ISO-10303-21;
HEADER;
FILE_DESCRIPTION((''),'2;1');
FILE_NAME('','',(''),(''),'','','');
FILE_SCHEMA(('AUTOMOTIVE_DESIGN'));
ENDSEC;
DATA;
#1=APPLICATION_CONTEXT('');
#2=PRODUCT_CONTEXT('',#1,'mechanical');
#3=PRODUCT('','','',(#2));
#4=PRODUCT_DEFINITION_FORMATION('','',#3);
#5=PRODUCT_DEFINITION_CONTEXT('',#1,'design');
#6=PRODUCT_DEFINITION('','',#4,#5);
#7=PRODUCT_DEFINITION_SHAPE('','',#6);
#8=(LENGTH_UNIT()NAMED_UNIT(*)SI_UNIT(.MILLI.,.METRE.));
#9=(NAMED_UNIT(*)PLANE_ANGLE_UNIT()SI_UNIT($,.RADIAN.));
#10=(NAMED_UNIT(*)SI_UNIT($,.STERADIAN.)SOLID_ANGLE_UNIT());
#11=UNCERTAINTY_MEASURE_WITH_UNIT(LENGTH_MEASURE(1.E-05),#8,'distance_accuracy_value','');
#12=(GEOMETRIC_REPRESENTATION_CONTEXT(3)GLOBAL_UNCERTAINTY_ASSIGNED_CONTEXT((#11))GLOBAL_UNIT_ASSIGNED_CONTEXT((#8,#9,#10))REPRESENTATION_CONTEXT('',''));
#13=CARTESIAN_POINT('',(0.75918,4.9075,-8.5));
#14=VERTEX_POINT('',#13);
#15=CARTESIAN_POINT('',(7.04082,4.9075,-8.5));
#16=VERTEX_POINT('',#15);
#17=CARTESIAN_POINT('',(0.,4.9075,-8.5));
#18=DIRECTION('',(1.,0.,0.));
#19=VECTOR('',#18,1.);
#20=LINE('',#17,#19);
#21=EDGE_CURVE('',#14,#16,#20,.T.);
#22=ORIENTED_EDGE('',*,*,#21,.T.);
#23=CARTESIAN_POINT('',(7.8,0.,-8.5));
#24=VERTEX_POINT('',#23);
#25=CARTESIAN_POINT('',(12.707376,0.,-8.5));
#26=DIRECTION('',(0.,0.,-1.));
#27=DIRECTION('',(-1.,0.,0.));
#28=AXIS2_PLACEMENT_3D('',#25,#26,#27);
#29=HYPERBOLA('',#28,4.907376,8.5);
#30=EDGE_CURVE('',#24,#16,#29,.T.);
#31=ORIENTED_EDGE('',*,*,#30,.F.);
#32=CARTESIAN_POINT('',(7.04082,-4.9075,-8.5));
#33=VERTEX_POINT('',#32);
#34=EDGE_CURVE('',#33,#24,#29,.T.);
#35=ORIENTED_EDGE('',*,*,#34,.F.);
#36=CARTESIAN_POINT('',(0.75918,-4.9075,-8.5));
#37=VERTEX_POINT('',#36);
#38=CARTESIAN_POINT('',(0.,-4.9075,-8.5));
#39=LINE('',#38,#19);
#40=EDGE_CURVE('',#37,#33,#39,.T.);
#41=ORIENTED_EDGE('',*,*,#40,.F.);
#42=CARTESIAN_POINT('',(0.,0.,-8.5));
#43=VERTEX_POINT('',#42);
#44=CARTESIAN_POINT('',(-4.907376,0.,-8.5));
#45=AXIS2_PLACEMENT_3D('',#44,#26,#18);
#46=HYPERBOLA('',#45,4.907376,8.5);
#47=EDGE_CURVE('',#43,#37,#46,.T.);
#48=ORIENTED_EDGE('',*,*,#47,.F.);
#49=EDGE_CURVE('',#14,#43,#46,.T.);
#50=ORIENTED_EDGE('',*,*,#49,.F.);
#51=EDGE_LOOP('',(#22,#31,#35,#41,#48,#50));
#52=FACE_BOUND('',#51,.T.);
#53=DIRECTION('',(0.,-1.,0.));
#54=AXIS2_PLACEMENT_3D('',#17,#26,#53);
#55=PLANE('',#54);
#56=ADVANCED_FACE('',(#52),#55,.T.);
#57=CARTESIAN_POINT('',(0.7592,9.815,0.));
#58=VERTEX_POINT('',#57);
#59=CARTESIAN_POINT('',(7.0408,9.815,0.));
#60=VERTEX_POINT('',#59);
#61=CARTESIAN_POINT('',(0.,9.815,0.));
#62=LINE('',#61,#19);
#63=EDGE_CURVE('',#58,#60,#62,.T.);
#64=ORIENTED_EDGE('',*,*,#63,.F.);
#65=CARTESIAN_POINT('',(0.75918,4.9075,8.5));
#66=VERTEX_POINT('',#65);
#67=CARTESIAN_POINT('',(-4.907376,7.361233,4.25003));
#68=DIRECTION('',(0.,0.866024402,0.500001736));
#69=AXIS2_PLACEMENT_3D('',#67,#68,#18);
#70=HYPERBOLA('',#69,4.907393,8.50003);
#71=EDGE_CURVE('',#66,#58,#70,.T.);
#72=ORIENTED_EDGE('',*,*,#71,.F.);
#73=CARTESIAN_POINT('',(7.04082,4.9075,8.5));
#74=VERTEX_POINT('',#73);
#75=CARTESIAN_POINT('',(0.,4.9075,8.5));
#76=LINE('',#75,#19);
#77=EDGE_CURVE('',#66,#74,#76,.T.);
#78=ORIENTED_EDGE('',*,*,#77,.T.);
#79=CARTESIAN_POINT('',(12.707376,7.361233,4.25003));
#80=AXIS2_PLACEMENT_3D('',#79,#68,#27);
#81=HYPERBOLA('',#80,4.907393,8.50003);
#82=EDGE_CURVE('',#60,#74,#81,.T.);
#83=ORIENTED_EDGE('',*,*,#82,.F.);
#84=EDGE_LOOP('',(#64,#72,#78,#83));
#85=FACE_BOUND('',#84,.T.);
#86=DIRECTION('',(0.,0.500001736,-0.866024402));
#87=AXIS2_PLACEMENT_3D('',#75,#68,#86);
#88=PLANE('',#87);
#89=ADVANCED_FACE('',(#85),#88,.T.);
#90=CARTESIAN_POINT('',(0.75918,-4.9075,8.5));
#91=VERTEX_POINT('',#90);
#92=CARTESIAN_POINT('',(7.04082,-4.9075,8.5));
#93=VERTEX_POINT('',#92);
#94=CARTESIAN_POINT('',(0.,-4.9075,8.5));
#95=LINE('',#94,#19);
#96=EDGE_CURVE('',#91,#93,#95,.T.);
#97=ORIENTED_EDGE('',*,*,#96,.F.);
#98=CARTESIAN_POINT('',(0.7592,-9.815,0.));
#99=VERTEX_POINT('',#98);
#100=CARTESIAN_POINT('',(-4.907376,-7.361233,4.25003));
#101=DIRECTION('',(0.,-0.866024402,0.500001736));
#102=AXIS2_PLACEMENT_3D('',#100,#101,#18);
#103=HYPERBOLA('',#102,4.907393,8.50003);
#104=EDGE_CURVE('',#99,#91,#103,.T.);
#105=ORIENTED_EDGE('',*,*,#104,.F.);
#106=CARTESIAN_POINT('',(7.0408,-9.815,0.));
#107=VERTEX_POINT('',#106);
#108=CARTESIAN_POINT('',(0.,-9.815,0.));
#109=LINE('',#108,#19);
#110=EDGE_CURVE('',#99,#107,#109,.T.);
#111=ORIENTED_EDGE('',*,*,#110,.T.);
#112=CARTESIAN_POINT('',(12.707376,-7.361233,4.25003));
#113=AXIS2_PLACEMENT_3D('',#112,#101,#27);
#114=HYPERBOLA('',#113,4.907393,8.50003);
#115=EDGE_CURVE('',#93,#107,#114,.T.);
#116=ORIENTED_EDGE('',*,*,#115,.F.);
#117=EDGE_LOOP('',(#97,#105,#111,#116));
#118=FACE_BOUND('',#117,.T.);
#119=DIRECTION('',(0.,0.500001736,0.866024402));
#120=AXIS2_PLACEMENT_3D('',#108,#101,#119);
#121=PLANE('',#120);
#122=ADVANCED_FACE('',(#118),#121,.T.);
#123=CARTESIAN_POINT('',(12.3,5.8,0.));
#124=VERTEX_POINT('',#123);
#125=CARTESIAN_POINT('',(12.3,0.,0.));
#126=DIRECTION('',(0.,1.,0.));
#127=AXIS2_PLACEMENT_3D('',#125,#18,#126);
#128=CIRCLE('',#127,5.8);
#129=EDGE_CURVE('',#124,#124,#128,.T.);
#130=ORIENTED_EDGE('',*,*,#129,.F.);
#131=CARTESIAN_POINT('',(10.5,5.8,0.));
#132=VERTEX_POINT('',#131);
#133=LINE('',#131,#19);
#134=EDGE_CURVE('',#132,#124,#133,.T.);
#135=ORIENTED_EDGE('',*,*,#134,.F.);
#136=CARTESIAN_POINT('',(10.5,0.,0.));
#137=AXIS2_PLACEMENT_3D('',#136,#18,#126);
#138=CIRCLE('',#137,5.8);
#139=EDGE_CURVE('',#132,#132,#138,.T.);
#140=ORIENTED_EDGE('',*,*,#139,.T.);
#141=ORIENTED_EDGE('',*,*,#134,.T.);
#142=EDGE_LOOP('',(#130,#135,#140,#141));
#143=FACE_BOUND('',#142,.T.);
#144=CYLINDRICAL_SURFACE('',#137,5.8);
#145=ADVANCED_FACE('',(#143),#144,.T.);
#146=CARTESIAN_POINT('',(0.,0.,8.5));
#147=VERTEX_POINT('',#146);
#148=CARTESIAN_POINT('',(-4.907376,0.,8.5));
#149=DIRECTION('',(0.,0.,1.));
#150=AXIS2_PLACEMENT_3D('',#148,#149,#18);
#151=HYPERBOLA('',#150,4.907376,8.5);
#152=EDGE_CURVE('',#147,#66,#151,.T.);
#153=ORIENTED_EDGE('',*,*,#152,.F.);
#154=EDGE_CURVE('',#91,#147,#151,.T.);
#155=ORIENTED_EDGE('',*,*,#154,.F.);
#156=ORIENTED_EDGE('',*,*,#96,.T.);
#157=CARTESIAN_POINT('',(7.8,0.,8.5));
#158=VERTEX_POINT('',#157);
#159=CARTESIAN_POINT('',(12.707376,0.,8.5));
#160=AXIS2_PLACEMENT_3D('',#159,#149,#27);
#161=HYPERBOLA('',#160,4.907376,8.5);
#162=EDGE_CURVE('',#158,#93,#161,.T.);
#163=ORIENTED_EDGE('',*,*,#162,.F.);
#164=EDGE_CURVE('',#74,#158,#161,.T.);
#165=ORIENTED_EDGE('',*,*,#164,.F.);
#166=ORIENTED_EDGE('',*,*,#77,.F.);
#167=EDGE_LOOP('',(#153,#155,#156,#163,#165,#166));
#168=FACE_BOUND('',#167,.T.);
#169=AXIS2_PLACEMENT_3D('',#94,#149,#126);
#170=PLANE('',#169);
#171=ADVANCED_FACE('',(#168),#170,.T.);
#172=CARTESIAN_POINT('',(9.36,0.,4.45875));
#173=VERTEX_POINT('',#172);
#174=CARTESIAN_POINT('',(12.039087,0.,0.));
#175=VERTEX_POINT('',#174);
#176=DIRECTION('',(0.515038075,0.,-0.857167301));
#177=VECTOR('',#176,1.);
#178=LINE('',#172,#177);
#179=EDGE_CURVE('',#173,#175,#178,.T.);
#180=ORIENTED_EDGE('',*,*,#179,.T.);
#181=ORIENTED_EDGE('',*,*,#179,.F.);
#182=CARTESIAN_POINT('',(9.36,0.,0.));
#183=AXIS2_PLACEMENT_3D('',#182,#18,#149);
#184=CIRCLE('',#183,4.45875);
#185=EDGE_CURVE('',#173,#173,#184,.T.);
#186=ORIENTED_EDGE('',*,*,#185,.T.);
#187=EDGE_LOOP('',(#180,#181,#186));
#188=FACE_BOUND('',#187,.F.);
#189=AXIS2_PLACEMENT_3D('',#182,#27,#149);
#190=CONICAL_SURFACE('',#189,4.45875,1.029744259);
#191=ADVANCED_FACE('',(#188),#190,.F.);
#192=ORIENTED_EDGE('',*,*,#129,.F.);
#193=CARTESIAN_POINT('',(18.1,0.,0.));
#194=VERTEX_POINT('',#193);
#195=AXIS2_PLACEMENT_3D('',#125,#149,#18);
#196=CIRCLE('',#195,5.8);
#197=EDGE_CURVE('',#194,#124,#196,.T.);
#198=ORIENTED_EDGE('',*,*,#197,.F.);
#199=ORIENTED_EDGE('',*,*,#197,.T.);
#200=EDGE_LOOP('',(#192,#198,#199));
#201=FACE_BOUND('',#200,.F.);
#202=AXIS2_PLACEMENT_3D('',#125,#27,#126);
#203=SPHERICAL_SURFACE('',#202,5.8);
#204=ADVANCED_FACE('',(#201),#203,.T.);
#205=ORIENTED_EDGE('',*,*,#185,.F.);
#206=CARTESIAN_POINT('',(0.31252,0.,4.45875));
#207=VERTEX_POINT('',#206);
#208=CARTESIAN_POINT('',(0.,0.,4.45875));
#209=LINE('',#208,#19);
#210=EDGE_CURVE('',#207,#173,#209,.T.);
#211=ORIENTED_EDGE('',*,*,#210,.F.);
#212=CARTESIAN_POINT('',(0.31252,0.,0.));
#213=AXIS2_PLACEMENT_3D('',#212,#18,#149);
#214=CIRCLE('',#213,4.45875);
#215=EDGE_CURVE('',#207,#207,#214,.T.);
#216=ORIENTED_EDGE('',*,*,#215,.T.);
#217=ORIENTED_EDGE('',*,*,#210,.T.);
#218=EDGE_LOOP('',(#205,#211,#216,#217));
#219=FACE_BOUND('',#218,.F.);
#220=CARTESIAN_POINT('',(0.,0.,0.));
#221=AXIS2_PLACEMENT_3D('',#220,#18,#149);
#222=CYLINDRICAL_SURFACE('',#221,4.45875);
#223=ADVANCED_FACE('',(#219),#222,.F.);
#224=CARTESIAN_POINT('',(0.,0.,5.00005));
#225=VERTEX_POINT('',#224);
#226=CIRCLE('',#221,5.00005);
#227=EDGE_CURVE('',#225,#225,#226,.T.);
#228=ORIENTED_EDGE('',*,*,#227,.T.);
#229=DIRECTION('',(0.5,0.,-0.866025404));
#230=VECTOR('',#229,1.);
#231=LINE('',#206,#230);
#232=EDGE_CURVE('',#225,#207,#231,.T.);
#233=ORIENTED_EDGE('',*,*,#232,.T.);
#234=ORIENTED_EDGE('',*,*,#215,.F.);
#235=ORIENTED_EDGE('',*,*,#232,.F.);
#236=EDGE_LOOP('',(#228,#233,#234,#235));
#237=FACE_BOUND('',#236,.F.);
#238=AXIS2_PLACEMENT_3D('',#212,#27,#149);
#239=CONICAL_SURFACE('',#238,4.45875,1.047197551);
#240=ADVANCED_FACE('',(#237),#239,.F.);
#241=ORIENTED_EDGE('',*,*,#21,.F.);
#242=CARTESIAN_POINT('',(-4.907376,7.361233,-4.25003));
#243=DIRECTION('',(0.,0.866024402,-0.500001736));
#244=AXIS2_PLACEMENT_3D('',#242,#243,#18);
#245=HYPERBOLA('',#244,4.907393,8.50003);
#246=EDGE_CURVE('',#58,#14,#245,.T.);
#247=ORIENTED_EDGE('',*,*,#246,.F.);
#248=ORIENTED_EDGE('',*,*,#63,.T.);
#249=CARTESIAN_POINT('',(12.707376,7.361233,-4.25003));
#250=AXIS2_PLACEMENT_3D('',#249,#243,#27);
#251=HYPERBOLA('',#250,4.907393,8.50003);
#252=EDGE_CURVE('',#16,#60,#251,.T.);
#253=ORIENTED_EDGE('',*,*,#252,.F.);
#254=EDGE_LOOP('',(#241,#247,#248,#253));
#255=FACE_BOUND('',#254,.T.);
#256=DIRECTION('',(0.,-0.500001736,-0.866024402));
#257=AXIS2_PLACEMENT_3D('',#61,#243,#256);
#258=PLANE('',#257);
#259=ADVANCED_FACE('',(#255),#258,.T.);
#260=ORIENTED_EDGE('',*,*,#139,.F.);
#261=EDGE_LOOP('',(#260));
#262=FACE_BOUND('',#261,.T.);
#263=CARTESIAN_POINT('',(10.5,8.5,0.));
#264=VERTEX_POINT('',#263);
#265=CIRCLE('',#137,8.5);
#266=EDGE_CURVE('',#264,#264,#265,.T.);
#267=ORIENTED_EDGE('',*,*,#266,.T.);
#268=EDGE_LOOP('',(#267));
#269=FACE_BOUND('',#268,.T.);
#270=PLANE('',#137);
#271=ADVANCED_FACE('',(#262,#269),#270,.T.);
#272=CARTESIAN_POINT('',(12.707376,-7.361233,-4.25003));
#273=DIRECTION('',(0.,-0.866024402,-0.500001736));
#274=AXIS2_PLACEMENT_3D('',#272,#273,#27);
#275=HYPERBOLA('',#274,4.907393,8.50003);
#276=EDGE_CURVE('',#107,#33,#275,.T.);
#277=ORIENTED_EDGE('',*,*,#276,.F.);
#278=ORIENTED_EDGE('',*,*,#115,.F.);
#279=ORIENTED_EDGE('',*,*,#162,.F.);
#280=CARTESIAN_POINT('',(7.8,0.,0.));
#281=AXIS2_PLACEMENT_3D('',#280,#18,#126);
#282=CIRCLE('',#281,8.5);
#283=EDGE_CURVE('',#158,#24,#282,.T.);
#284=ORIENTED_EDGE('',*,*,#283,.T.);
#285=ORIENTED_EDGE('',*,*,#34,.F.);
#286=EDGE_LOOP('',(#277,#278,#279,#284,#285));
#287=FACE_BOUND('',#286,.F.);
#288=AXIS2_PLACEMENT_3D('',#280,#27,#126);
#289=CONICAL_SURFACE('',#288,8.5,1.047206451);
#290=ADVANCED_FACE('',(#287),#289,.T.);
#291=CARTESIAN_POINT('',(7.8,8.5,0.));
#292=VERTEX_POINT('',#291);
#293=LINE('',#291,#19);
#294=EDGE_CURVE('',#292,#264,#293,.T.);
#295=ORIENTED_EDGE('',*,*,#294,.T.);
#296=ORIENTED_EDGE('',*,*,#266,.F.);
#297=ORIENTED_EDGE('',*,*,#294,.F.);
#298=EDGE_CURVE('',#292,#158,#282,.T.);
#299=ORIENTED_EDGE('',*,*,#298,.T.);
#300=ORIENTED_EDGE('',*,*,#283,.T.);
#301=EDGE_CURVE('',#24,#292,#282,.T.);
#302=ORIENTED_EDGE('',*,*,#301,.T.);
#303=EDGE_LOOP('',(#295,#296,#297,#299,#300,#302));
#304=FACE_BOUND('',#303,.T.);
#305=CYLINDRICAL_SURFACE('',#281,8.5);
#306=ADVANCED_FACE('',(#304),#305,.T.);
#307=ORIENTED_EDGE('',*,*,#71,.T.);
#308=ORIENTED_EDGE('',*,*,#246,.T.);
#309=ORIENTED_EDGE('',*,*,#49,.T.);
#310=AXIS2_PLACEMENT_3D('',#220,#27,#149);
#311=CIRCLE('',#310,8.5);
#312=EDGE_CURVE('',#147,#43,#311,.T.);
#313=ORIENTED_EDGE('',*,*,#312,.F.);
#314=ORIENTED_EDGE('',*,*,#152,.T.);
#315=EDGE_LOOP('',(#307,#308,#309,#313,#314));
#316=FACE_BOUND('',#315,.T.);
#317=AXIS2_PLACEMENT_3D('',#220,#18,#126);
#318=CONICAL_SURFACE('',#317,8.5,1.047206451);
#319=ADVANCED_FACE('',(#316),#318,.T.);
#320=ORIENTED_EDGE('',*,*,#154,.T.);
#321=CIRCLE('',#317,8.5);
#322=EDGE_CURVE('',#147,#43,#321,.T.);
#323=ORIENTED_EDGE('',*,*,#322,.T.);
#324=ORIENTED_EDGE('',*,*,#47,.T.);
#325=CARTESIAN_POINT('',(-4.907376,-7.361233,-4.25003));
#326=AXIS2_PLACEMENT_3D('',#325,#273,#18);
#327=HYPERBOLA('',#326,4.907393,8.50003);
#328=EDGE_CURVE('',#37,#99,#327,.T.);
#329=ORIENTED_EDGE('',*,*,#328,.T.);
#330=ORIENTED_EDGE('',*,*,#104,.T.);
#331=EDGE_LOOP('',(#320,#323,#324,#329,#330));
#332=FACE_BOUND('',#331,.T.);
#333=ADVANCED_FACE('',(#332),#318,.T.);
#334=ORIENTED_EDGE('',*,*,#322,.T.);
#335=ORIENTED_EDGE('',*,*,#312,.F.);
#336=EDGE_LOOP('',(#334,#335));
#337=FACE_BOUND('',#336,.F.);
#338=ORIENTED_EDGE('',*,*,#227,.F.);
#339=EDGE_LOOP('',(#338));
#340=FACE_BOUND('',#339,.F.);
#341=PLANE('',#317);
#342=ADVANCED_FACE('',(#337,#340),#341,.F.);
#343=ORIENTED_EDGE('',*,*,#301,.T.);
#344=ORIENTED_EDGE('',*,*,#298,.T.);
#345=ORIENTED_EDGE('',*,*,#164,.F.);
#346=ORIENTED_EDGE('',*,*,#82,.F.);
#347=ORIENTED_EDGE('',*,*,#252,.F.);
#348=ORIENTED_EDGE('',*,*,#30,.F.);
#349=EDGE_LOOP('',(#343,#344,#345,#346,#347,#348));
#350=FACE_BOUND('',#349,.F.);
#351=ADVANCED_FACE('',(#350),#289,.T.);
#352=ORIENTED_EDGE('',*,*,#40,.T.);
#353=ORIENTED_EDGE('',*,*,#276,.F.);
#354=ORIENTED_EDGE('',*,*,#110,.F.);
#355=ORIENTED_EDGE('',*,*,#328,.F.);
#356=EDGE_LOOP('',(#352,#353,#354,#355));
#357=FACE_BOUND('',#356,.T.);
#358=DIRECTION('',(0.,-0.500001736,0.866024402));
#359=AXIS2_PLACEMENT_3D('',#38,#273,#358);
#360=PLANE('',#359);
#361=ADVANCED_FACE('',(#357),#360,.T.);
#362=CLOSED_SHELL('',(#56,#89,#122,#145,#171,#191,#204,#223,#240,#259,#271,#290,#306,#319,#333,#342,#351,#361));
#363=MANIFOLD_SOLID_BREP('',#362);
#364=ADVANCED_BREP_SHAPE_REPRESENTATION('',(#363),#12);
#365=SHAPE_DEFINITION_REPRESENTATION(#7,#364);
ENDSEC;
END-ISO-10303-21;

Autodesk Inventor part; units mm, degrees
ref_plane "YZ Plane" through (0, 0, 0) normal (1, 0, 0) x (0, 1, 0)
ref_plane "XZ Plane" through (0, 0, 0) normal (0, 1, 0) x (-1, 0, 0)
sketch "Sketch1" plane through (0, 0, 0) normal (1, 0, 0) x (0, 1, 0)
  line L0 (-9.815, 0) -> (-4.9075, 8.5)
  line L1 (-4.9075, 8.5) -> (4.9075, 8.5)
  line L2 (4.9075, 8.5) -> (9.815, 0)
  line L3 (9.815, 0) -> (4.9075, -8.5)
  line L4 (4.9075, -8.5) -> (-4.9075, -8.5)
  line L5 (-4.9075, -8.5) -> (-9.815, 0)
  point P0 (0, 0)
  point P1 (0, 0)
  dimension "d0" = 19.6299
extrude "Body" add sketch "Sketch1" along normal blind 7.8
sketch "Sketch2" plane through (0, 0, 0) normal (0, 0, 1) x (1, 0, 0)
  line L0 (7.8, 8.5) -> (10.5, 8.5)
  line L1 (10.5, 8.5) -> (10.5, 5.8)
  line L2 (10.5, 5.8) -> (12.3, 5.8)
  arc A0 (18.1, 0) -> (12.3, 5.8) centre (12.3, 0) ccw
  line L3 (-3.8602, 0) -> (23.1615, 0) projected
  line L4 (0, -7.589) -> (0, 11.1815) projected
  line L5 (7.8, 0) -> (18.1, 0)
  line L6 (7.8, -4.9075) -> (7.8, 4.9075) projected
  line L7 (7.8, 0) -> (7.8, 8.5)
  point P0 (0, 0)
  dimension "d8" = 5.8
  dimension "d9" = 17
  dimension "d10" = 18.1
  dimension "d11" = 10.5
  dimension "d12" = 11.6
revolve "Cap" add sketch "Sketch2" angle 360 about axis through (7.8, 0, 0) along (1, 0, 0)
sketch "Sketch3" plane through (0, 0, 0) normal (-1, 0, 0) x (0, 0, 1)
  line L0 (0, -13.7409) -> (0, 13.7409) projected
  line L1 (-11.9, 0) -> (11.9, 0) projected
  point P0 (0, 0)
hole "Thread" at (0, 0, 0) direction (1, 0, 0) diameter 8.9175 depth 9.36 tip angle 118 thread size "M10x1" class "6H" standard "ISO Metric profile"
sketch "Sketch4" plane through (0, 0, 0) normal (0, 0, 1) x (1, 0, 0)
  line L0 (0, 4.9075) -> (0, 9.815) projected
  line L1 (0, 9.815) -> (7.8, 9.815) projected
  line L2 (7.8, 4.9075) -> (7.8, 9.815) projected
  line L3 (-1.56, 0) -> (9.36, 0) projected
  line L4 (0, 8.5) -> (0.7592, 9.815)
  line L5 (7.8, 8.5) -> (7.0408, 9.815)
  dimension "d3" = 30
  dimension "d4" = 17
  dimension "d5" = 30
  dimension "d6" = 17
revolve "Chamfer1" cut sketch "Sketch4" angle 360 about axis through (-10, 0, 0) along (1, 0, 0)
chamfer "Chamfer2" distance 0.5413 angle 30 1 edges at (0, 0, -4.4587) measured on face at (0, 7.111, -0.1791)
ref_plane "Work Plane1" through (4.68, 0, 0) normal (0, -0.866, 0.5) x (-1, 0, 0)
equation "\"d0\" = 1.1547 * SW"
equation "\"d1\" = GEL"
equation "\"d8\" = KR"
equation "\"d9\" = SW"
equation "\"d10\" = KOH1"
equation "\"d11\" = SIH"
equation "\"d12\" = 2 * KR"
equation "\"d13\" = GEL"
equation "\"d14\" = 1.2 * GEL"
equation "\"d3\" = ANG1"
equation "\"d4\" = SW0"
equation "\"d5\" = ANG2"
equation "\"d6\" = SW"
equation "\"d17\" = -0.5 * GD1 + 0.5 * NND"
equation "\"d45\" = -0.5 * GD1 + 0.5 * NND"
equation "\"ANG1\" = 30deg"
equation "\"ANG2\" = 30deg"
equation "\"KOH1\" = 18.1"
equation "\"SW\" = 17"
equation "\"KR\" = 5.8"
equation "\"SIH\" = 10.5"
equation "\"GEL\" = 7.8"
equation "\"SW0\" = 17"
equation "\"GUL\" = 0.541266 * PTC"
equation "\"XKOH\" = 10.5"
equation "\"PTC\" = 1"
equation "\"TOA\" = 30deg"
equation "\"KOH0\" = 7.8"
equation "\"E0\" = 19.635"
equation "\"GAL\" = 0.541266 * PTC"
equation "\"GD1\" = 8.917468"
equation "\"NND\" = 10"
properties part number "CNS 4315 - M 10" material "Steel, Mild"
